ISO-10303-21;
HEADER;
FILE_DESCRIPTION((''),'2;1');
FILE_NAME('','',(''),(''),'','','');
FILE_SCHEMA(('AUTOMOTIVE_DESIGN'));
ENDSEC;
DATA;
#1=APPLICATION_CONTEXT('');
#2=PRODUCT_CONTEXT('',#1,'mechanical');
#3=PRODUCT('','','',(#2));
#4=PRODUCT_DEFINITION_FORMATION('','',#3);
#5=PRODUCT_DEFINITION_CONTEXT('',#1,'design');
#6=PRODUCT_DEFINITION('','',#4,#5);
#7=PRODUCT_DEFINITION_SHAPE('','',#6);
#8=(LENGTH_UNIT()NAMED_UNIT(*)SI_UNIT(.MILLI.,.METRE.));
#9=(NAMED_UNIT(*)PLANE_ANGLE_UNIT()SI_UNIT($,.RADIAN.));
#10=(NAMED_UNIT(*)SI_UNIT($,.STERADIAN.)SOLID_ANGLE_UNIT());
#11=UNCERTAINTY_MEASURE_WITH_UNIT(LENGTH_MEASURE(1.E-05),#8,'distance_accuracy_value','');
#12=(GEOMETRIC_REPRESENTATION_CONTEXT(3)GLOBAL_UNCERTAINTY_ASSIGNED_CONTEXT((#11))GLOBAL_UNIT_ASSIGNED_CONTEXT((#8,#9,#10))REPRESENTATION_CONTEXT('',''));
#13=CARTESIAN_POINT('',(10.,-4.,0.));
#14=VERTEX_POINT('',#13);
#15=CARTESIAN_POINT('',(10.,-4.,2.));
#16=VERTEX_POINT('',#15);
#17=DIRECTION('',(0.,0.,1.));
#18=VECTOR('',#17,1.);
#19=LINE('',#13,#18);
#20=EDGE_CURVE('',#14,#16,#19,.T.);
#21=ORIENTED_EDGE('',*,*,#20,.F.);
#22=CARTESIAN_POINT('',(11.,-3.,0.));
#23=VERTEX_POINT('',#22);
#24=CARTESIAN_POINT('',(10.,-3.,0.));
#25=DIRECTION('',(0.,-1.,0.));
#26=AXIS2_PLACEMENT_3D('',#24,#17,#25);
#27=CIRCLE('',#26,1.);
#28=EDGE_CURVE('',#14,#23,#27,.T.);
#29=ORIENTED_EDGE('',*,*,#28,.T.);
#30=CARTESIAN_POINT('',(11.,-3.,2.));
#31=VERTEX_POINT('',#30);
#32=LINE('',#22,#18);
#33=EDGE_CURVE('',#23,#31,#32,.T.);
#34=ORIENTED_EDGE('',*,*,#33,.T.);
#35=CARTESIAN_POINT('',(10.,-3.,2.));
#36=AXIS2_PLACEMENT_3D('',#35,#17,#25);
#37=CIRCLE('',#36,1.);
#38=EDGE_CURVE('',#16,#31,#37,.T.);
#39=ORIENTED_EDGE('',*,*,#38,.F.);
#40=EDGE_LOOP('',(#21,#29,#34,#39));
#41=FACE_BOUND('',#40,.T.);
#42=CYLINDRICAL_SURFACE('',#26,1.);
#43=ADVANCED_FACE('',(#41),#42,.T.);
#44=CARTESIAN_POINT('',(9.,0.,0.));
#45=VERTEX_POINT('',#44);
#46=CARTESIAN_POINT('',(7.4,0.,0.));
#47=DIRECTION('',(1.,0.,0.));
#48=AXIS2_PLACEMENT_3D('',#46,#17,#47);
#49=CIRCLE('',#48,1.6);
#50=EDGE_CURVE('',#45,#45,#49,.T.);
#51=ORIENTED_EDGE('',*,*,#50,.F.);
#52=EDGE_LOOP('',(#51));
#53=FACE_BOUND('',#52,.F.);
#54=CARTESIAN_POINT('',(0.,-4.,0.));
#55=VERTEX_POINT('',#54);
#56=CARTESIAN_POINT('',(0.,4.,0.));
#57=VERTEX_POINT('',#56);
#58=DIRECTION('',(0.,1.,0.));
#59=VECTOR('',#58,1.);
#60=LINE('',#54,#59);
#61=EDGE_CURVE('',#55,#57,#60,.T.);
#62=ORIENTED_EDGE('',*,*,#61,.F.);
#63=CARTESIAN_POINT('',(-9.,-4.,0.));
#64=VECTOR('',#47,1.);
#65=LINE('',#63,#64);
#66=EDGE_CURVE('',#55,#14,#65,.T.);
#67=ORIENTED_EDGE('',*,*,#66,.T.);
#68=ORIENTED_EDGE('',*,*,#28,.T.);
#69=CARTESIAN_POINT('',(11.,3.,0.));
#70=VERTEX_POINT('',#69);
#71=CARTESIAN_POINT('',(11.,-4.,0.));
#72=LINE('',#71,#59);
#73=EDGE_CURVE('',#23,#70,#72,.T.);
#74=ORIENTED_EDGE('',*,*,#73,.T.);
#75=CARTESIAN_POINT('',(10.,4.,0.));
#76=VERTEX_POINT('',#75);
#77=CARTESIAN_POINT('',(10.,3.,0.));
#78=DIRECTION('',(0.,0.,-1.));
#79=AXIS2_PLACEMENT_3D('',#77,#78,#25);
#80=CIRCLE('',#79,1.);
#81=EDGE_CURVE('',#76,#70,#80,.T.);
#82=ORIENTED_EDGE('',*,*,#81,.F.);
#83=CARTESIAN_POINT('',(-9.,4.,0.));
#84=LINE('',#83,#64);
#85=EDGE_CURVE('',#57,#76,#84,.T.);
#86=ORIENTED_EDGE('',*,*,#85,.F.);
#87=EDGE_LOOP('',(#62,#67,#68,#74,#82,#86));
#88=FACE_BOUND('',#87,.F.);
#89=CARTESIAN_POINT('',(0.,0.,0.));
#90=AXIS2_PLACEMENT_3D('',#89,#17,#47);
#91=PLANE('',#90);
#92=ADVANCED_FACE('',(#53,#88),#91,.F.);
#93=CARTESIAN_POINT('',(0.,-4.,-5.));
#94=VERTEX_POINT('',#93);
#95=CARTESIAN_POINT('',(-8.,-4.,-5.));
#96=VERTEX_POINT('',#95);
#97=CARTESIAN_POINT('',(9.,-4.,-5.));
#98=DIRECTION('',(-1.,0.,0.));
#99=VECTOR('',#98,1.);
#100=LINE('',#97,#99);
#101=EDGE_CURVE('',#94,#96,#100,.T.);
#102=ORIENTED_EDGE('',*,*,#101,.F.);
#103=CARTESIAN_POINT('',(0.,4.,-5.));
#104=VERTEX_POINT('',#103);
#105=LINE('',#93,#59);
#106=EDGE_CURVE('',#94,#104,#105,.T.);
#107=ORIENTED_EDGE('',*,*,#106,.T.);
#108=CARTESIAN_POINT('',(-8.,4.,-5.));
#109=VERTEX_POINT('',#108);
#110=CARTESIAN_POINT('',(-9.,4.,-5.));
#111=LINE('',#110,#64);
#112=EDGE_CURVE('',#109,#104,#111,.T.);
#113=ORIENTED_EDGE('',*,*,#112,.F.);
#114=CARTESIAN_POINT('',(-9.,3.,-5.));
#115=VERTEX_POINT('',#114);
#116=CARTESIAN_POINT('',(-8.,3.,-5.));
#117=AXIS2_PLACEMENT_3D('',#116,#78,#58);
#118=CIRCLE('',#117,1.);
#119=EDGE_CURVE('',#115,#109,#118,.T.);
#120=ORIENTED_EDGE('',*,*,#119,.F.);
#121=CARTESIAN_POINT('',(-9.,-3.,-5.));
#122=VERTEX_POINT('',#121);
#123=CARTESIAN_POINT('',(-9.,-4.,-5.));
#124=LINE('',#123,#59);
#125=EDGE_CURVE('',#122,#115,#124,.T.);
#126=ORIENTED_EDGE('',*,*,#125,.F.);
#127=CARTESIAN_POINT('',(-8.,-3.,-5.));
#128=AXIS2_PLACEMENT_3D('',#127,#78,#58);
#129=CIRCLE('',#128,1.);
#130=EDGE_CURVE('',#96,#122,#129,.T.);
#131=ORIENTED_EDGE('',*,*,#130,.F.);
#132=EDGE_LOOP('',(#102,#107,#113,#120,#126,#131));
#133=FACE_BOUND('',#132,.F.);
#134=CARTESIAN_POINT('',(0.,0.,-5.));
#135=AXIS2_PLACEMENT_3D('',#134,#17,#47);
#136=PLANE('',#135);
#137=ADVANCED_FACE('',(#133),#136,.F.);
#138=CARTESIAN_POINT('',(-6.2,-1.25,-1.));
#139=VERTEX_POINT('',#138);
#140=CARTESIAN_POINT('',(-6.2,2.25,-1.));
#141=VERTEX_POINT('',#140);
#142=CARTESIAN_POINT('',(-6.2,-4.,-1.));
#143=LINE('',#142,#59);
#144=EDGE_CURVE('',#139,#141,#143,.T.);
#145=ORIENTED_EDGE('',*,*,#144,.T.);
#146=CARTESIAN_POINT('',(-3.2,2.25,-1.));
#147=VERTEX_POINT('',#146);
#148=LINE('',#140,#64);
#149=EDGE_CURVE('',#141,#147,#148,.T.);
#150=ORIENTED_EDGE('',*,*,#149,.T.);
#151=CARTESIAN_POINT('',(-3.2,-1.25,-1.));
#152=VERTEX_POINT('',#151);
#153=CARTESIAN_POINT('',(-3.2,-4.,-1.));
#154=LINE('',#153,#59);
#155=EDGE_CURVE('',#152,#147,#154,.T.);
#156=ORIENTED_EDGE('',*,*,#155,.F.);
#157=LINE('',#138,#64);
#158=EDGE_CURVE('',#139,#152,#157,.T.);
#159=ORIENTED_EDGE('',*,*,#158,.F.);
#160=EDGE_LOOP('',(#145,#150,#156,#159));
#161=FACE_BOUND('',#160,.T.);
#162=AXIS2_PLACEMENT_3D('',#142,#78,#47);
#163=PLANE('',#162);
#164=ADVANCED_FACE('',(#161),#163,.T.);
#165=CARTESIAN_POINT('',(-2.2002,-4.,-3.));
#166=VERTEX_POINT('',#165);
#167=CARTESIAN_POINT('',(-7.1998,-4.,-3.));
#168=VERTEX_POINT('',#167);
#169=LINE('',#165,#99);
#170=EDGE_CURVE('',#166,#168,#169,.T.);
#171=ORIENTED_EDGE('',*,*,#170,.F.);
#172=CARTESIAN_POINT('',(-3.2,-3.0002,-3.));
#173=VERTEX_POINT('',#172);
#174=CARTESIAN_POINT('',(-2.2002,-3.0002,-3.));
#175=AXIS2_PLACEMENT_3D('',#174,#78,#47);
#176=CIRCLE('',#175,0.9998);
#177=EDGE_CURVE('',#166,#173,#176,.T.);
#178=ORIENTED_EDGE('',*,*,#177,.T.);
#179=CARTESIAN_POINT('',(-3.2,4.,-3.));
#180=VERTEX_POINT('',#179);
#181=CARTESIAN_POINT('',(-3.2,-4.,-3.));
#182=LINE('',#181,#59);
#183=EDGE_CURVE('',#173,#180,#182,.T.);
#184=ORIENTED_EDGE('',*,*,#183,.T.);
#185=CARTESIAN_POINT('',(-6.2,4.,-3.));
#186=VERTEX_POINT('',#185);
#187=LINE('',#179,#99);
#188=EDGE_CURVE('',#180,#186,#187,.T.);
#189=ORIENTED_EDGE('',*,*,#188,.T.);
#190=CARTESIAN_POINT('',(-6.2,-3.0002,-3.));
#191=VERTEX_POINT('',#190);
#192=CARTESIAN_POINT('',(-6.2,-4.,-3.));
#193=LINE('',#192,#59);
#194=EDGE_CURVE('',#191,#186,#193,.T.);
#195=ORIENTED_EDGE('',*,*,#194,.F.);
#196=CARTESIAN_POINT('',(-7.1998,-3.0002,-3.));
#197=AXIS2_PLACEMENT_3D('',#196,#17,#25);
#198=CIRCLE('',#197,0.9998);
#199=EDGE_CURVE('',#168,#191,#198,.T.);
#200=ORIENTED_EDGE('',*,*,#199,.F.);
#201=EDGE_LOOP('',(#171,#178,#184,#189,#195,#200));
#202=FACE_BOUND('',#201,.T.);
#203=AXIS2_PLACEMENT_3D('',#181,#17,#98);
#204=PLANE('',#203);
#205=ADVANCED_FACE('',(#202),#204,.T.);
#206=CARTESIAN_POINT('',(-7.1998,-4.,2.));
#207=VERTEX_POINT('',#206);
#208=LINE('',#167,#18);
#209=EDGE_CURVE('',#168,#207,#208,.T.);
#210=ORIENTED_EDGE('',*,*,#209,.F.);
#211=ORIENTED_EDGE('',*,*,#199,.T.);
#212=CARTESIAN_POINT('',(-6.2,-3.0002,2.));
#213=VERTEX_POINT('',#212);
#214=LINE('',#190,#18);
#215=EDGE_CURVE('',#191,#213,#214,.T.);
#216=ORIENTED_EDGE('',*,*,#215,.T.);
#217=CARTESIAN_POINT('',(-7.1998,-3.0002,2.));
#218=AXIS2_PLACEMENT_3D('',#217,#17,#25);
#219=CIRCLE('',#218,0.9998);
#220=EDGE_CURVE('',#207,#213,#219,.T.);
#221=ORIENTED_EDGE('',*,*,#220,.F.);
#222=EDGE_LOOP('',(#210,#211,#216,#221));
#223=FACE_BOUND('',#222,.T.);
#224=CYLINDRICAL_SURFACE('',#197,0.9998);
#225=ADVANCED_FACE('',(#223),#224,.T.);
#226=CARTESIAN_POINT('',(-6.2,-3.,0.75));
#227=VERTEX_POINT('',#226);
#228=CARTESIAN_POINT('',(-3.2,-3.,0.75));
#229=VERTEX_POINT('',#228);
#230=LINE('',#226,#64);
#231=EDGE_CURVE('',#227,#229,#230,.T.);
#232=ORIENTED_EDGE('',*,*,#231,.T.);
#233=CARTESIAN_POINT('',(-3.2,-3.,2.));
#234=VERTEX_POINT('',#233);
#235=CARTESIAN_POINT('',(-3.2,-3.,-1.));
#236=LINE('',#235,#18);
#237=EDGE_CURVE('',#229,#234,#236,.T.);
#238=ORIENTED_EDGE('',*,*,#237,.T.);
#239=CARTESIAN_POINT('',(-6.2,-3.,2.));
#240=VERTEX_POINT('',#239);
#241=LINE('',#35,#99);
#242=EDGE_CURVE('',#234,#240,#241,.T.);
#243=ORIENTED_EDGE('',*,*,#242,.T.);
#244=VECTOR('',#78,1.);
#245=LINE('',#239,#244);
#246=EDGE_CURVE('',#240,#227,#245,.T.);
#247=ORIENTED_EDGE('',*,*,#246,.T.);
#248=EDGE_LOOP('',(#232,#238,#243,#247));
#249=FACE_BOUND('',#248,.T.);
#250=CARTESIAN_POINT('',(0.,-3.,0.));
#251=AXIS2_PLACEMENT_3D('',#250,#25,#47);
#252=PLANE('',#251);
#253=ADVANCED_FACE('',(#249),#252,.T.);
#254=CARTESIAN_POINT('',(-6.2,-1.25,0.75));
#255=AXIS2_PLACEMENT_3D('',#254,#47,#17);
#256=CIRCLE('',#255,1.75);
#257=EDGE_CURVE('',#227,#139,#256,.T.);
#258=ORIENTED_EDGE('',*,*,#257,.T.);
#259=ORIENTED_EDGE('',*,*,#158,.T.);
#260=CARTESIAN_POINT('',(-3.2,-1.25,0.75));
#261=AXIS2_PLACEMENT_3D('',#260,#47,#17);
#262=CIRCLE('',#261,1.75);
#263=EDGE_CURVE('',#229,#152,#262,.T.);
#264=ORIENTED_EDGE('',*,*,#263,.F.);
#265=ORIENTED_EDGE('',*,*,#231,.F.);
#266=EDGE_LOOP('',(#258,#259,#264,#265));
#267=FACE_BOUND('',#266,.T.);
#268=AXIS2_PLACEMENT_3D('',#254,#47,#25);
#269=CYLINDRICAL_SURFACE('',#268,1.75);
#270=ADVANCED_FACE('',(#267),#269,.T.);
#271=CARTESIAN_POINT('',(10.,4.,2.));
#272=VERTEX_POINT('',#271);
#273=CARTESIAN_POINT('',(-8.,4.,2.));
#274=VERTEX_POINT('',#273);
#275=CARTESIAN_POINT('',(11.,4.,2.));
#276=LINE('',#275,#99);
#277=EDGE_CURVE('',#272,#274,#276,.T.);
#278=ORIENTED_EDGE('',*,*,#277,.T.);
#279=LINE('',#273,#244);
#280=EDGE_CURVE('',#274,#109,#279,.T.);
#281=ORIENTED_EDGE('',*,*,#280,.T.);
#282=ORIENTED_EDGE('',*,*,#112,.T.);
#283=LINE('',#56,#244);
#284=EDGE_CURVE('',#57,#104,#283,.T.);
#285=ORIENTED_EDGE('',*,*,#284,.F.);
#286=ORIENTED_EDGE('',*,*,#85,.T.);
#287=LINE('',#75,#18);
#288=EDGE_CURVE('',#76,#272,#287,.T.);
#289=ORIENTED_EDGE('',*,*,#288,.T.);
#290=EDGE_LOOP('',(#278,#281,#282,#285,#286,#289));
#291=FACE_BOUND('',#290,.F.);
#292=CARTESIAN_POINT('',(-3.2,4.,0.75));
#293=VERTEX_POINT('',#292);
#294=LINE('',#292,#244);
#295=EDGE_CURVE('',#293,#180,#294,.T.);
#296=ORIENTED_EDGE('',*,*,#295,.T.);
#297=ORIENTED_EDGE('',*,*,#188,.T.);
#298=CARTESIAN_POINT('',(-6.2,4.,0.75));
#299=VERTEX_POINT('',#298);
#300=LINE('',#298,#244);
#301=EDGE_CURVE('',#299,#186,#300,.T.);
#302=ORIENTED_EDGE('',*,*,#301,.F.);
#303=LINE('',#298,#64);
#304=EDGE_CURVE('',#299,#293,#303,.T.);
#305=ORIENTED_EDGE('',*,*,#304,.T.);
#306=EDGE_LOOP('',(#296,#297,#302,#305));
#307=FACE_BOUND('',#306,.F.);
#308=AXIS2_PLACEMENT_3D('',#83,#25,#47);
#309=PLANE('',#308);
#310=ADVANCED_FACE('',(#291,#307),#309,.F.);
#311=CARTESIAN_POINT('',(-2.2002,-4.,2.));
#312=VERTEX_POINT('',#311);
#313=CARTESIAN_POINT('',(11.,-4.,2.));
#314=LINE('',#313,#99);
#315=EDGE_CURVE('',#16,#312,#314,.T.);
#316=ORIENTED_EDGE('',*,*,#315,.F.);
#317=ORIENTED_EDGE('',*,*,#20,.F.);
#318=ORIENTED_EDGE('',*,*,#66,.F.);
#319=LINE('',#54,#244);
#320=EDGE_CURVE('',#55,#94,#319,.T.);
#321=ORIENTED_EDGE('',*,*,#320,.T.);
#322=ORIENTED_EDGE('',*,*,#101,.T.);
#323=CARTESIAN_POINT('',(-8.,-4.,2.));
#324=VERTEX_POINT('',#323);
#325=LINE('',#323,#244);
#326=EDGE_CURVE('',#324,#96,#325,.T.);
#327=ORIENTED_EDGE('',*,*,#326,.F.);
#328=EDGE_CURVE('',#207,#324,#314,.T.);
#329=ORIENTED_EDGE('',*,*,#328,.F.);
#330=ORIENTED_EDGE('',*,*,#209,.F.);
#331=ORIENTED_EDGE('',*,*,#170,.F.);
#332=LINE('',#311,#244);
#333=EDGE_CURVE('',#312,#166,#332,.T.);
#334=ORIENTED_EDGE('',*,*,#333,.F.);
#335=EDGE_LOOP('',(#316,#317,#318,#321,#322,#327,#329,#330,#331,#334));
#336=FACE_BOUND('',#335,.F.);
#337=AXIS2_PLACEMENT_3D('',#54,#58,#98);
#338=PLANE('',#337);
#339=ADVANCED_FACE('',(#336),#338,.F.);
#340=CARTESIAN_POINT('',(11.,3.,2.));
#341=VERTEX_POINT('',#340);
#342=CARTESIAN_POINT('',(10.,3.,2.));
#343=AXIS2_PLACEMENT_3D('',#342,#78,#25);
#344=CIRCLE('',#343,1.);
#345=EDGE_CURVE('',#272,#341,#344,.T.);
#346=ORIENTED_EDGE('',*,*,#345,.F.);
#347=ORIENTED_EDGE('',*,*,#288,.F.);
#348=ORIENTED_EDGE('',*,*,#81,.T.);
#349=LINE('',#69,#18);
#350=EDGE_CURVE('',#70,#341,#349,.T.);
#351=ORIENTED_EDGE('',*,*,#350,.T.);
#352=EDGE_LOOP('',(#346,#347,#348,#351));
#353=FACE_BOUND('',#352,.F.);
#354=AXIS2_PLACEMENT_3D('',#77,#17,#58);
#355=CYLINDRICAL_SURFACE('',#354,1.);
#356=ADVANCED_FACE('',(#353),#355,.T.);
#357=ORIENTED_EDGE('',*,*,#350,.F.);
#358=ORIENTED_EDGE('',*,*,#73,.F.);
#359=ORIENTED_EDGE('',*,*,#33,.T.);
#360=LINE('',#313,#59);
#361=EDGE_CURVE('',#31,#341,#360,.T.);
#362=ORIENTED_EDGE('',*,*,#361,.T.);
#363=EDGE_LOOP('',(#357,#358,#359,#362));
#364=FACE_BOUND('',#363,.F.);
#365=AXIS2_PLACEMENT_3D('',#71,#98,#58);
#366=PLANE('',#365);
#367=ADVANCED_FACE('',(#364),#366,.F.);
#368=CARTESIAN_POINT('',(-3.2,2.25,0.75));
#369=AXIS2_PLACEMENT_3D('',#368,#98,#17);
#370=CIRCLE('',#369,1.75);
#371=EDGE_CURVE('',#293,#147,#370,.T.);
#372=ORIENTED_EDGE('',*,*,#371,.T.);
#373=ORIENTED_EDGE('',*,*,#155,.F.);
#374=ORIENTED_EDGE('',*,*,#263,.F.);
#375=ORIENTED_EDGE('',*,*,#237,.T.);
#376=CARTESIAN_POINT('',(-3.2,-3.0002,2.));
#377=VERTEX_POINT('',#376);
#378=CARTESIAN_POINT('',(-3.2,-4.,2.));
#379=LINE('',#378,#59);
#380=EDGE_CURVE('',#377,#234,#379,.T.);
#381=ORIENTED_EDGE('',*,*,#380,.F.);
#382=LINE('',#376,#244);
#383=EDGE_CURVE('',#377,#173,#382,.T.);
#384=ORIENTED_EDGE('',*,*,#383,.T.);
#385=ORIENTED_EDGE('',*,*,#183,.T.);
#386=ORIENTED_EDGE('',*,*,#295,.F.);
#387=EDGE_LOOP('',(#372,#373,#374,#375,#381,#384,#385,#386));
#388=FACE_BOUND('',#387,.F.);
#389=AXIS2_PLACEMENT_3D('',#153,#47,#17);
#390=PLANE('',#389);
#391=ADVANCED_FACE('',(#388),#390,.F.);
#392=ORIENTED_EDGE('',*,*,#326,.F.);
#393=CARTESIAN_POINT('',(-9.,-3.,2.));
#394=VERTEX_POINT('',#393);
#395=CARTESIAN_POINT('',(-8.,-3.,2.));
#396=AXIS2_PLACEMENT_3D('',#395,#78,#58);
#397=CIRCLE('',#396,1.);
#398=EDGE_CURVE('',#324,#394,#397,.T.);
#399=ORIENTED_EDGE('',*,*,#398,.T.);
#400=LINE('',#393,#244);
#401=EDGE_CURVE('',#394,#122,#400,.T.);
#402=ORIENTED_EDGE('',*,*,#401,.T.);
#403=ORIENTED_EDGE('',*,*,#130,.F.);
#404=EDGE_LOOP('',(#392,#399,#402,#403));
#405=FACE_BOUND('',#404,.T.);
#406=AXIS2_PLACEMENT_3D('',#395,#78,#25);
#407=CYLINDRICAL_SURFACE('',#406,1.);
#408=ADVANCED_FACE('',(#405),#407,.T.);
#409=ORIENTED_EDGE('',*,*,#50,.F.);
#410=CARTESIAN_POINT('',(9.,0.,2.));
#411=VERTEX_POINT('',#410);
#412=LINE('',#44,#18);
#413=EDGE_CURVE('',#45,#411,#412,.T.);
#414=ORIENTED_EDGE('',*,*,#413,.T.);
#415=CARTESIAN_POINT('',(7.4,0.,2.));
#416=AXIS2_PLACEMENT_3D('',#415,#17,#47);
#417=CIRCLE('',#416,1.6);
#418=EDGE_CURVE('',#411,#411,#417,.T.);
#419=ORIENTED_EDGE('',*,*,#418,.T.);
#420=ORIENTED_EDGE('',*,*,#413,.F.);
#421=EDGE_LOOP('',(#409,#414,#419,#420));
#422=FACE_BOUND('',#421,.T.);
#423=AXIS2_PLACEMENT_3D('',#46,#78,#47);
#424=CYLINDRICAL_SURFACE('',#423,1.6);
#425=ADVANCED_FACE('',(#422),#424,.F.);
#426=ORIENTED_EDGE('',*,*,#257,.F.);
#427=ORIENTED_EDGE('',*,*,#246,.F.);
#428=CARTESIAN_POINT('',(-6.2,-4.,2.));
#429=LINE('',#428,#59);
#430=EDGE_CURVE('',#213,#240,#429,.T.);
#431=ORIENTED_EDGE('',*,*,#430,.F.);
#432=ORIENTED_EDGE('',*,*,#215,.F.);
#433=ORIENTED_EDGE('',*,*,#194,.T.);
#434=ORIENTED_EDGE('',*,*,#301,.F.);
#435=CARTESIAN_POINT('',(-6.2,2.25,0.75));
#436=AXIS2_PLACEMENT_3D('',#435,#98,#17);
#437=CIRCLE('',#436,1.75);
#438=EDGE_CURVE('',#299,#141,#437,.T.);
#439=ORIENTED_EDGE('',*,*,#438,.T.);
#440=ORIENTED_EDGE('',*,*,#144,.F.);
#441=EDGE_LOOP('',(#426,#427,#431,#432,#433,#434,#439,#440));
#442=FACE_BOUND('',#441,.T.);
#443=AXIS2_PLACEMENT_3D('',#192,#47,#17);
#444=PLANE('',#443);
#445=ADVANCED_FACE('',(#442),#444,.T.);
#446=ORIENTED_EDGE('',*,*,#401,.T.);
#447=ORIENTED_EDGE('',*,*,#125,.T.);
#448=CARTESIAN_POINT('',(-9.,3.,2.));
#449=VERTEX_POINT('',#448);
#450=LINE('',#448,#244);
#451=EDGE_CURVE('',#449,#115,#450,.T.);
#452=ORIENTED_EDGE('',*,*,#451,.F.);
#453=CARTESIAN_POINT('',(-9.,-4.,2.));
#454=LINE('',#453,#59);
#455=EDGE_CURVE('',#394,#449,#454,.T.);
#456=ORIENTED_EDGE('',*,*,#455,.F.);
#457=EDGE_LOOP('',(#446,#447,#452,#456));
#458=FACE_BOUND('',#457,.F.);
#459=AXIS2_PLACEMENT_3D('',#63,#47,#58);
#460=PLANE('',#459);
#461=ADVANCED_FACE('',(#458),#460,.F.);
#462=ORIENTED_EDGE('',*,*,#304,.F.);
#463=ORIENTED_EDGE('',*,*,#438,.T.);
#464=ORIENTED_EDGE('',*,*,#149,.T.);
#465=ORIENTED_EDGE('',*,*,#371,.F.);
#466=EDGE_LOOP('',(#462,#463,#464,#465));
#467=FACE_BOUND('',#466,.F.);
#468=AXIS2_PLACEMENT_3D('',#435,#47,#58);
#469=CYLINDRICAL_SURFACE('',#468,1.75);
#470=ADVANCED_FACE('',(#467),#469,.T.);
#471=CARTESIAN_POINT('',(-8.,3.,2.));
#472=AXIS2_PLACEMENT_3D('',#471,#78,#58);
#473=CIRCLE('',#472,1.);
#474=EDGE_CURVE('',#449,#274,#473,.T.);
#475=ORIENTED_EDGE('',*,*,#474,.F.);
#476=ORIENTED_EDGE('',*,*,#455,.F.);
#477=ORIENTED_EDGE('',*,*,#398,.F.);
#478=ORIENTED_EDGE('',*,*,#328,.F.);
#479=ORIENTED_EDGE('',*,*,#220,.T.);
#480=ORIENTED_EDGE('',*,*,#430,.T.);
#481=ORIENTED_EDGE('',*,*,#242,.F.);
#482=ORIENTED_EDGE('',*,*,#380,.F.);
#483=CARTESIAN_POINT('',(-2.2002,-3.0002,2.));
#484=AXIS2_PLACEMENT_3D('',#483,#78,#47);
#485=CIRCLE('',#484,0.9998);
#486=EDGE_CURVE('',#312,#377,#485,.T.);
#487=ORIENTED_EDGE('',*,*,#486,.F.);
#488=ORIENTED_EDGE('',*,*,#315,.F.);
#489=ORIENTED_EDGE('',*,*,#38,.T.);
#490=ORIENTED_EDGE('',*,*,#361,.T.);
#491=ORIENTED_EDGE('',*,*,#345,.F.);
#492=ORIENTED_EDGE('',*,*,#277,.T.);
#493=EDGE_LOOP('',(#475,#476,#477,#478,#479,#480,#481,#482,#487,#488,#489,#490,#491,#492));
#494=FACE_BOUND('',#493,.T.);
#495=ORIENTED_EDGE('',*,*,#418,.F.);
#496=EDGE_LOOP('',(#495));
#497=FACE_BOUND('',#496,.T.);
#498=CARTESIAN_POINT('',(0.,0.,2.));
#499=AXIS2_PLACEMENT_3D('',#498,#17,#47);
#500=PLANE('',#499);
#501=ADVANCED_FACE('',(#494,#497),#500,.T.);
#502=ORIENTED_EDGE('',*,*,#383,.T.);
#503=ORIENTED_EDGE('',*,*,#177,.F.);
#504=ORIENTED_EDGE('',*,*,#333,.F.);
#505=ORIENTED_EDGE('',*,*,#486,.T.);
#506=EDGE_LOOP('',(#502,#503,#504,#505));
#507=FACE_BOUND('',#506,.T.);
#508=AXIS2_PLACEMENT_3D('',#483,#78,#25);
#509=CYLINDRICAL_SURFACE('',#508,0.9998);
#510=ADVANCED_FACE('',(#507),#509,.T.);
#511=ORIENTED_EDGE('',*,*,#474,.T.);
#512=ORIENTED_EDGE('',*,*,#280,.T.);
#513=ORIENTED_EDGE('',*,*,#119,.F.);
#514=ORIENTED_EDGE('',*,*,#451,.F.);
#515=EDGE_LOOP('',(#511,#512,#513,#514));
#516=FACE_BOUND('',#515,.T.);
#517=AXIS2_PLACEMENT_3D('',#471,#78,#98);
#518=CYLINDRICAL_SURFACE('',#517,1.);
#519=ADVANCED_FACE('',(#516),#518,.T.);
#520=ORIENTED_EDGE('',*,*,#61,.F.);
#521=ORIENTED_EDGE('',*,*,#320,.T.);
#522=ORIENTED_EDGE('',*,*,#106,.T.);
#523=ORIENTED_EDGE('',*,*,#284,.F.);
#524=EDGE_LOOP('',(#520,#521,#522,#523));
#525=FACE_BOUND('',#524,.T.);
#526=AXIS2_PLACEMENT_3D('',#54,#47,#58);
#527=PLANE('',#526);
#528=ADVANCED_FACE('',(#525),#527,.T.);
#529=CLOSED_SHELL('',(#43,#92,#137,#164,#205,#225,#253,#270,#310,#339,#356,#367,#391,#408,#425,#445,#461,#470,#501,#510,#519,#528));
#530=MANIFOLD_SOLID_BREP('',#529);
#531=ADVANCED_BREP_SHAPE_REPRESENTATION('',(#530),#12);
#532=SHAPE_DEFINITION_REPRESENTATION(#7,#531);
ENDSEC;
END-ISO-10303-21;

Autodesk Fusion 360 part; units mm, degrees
sketch "Sketch1" plane through (0, 0, 0) normal (0, 0, 1) x (1, 0, 0)
  line L0 (0, 0) -> (7.4, 0) construction
  circle A0 centre (7.4, 0) radius 1.6
  line L1 (9, -4) -> (-9, -4)
  line L2 (-9, -4) -> (-9, 4)
  line L3 (-9, 4) -> (9, 4)
  line L4 (9, -4) -> (-9, 4) construction
  line L5 (-9, -4) -> (9, 4) construction
  line L6 (9, -4) -> (11, -4)
  line L7 (11, -4) -> (11, 4)
  line L8 (11, 4) -> (9, 4)
  line L9 (0, -4) -> (0, 4)
  dimension "d1" = 7.4
  dimension "d2" = 3.2
  dimension "d3" = 8
  dimension "d4" = 2
extrude "Extrude1" add sketch "Sketch1" along normal blind 2
extrude "Extrude2" add sketch "Sketch1" against normal blind 5 contours L1 L2 L3 L9
fillet "Fillet1" radius 1 4 edges at (11, -4, 1) (11, 4, 1) (-9, -4, -1.5) (-9, 4, -1.5)
sketch "Sketch2" plane through (0, -4, 0) normal (0, -1, 0) x (1, 0, 0)
  line L0 (-8, 2) -> (-8, -5)
  line L1 (-8, -5) -> (0, -5)
  line L2 (0, -5) -> (0, 0)
  line L3 (0, 0) -> (10, 0)
  line L4 (10, 0) -> (10, 2)
  line L5 (10, 2) -> (-8, 2)
  line L6 (-6.2, -1) -> (-3.2, -1)
  line L7 (-3.2, -1) -> (-3.2, -3)
  line L8 (-3.2, -3) -> (-6.2, -3)
  line L9 (-6.2, -3) -> (-6.2, -1)
  dimension "d11" = 3
  dimension "d12" = 2
extrude "Extrude3" cut sketch "Sketch2" against normal blind 8 contours L6 L7 L8 L9
sketch "Sketch3" plane through (0, -4, 0) normal (0, -1, 0) x (1, 0, 0)
  line L0 (-3.2, -1) -> (-3.2, -3)
  line L1 (-3.2, -3) -> (-6.2, -3)
  line L2 (-6.2, -3) -> (-6.2, -1)
  line L3 (-6.2, -1) -> (-3.2, -1)
  line L4 (-8, 2) -> (-8, -5)
  line L5 (-8, -5) -> (0, -5)
  line L6 (0, -5) -> (0, 0)
  line L7 (0, 0) -> (10, 0)
  line L8 (10, 0) -> (10, 2)
  line L9 (10, 2) -> (-8, 2)
  line L10 (-6.2, -1) -> (-3.2, -1)
  line L11 (-3.2, -1) -> (-3.2, 2)
  line L12 (-3.2, 2) -> (-6.2, 2)
  line L13 (-6.2, 2) -> (-6.2, -1)
extrude "Extrude4" cut sketch "Sketch3" against normal blind 1 contours L3 L9 L10 L11 L12 L13
fillet "Fillet3" radius 1 2 edges at (-6.2, -4, -0.5) (-3.2, -4, -0.5)
fillet "Fillet4" radius 1.75 2 edges at (-4.7, -3, -1) (-4.7, 4, -1)
fillet "Fillet2" [suppressed]
